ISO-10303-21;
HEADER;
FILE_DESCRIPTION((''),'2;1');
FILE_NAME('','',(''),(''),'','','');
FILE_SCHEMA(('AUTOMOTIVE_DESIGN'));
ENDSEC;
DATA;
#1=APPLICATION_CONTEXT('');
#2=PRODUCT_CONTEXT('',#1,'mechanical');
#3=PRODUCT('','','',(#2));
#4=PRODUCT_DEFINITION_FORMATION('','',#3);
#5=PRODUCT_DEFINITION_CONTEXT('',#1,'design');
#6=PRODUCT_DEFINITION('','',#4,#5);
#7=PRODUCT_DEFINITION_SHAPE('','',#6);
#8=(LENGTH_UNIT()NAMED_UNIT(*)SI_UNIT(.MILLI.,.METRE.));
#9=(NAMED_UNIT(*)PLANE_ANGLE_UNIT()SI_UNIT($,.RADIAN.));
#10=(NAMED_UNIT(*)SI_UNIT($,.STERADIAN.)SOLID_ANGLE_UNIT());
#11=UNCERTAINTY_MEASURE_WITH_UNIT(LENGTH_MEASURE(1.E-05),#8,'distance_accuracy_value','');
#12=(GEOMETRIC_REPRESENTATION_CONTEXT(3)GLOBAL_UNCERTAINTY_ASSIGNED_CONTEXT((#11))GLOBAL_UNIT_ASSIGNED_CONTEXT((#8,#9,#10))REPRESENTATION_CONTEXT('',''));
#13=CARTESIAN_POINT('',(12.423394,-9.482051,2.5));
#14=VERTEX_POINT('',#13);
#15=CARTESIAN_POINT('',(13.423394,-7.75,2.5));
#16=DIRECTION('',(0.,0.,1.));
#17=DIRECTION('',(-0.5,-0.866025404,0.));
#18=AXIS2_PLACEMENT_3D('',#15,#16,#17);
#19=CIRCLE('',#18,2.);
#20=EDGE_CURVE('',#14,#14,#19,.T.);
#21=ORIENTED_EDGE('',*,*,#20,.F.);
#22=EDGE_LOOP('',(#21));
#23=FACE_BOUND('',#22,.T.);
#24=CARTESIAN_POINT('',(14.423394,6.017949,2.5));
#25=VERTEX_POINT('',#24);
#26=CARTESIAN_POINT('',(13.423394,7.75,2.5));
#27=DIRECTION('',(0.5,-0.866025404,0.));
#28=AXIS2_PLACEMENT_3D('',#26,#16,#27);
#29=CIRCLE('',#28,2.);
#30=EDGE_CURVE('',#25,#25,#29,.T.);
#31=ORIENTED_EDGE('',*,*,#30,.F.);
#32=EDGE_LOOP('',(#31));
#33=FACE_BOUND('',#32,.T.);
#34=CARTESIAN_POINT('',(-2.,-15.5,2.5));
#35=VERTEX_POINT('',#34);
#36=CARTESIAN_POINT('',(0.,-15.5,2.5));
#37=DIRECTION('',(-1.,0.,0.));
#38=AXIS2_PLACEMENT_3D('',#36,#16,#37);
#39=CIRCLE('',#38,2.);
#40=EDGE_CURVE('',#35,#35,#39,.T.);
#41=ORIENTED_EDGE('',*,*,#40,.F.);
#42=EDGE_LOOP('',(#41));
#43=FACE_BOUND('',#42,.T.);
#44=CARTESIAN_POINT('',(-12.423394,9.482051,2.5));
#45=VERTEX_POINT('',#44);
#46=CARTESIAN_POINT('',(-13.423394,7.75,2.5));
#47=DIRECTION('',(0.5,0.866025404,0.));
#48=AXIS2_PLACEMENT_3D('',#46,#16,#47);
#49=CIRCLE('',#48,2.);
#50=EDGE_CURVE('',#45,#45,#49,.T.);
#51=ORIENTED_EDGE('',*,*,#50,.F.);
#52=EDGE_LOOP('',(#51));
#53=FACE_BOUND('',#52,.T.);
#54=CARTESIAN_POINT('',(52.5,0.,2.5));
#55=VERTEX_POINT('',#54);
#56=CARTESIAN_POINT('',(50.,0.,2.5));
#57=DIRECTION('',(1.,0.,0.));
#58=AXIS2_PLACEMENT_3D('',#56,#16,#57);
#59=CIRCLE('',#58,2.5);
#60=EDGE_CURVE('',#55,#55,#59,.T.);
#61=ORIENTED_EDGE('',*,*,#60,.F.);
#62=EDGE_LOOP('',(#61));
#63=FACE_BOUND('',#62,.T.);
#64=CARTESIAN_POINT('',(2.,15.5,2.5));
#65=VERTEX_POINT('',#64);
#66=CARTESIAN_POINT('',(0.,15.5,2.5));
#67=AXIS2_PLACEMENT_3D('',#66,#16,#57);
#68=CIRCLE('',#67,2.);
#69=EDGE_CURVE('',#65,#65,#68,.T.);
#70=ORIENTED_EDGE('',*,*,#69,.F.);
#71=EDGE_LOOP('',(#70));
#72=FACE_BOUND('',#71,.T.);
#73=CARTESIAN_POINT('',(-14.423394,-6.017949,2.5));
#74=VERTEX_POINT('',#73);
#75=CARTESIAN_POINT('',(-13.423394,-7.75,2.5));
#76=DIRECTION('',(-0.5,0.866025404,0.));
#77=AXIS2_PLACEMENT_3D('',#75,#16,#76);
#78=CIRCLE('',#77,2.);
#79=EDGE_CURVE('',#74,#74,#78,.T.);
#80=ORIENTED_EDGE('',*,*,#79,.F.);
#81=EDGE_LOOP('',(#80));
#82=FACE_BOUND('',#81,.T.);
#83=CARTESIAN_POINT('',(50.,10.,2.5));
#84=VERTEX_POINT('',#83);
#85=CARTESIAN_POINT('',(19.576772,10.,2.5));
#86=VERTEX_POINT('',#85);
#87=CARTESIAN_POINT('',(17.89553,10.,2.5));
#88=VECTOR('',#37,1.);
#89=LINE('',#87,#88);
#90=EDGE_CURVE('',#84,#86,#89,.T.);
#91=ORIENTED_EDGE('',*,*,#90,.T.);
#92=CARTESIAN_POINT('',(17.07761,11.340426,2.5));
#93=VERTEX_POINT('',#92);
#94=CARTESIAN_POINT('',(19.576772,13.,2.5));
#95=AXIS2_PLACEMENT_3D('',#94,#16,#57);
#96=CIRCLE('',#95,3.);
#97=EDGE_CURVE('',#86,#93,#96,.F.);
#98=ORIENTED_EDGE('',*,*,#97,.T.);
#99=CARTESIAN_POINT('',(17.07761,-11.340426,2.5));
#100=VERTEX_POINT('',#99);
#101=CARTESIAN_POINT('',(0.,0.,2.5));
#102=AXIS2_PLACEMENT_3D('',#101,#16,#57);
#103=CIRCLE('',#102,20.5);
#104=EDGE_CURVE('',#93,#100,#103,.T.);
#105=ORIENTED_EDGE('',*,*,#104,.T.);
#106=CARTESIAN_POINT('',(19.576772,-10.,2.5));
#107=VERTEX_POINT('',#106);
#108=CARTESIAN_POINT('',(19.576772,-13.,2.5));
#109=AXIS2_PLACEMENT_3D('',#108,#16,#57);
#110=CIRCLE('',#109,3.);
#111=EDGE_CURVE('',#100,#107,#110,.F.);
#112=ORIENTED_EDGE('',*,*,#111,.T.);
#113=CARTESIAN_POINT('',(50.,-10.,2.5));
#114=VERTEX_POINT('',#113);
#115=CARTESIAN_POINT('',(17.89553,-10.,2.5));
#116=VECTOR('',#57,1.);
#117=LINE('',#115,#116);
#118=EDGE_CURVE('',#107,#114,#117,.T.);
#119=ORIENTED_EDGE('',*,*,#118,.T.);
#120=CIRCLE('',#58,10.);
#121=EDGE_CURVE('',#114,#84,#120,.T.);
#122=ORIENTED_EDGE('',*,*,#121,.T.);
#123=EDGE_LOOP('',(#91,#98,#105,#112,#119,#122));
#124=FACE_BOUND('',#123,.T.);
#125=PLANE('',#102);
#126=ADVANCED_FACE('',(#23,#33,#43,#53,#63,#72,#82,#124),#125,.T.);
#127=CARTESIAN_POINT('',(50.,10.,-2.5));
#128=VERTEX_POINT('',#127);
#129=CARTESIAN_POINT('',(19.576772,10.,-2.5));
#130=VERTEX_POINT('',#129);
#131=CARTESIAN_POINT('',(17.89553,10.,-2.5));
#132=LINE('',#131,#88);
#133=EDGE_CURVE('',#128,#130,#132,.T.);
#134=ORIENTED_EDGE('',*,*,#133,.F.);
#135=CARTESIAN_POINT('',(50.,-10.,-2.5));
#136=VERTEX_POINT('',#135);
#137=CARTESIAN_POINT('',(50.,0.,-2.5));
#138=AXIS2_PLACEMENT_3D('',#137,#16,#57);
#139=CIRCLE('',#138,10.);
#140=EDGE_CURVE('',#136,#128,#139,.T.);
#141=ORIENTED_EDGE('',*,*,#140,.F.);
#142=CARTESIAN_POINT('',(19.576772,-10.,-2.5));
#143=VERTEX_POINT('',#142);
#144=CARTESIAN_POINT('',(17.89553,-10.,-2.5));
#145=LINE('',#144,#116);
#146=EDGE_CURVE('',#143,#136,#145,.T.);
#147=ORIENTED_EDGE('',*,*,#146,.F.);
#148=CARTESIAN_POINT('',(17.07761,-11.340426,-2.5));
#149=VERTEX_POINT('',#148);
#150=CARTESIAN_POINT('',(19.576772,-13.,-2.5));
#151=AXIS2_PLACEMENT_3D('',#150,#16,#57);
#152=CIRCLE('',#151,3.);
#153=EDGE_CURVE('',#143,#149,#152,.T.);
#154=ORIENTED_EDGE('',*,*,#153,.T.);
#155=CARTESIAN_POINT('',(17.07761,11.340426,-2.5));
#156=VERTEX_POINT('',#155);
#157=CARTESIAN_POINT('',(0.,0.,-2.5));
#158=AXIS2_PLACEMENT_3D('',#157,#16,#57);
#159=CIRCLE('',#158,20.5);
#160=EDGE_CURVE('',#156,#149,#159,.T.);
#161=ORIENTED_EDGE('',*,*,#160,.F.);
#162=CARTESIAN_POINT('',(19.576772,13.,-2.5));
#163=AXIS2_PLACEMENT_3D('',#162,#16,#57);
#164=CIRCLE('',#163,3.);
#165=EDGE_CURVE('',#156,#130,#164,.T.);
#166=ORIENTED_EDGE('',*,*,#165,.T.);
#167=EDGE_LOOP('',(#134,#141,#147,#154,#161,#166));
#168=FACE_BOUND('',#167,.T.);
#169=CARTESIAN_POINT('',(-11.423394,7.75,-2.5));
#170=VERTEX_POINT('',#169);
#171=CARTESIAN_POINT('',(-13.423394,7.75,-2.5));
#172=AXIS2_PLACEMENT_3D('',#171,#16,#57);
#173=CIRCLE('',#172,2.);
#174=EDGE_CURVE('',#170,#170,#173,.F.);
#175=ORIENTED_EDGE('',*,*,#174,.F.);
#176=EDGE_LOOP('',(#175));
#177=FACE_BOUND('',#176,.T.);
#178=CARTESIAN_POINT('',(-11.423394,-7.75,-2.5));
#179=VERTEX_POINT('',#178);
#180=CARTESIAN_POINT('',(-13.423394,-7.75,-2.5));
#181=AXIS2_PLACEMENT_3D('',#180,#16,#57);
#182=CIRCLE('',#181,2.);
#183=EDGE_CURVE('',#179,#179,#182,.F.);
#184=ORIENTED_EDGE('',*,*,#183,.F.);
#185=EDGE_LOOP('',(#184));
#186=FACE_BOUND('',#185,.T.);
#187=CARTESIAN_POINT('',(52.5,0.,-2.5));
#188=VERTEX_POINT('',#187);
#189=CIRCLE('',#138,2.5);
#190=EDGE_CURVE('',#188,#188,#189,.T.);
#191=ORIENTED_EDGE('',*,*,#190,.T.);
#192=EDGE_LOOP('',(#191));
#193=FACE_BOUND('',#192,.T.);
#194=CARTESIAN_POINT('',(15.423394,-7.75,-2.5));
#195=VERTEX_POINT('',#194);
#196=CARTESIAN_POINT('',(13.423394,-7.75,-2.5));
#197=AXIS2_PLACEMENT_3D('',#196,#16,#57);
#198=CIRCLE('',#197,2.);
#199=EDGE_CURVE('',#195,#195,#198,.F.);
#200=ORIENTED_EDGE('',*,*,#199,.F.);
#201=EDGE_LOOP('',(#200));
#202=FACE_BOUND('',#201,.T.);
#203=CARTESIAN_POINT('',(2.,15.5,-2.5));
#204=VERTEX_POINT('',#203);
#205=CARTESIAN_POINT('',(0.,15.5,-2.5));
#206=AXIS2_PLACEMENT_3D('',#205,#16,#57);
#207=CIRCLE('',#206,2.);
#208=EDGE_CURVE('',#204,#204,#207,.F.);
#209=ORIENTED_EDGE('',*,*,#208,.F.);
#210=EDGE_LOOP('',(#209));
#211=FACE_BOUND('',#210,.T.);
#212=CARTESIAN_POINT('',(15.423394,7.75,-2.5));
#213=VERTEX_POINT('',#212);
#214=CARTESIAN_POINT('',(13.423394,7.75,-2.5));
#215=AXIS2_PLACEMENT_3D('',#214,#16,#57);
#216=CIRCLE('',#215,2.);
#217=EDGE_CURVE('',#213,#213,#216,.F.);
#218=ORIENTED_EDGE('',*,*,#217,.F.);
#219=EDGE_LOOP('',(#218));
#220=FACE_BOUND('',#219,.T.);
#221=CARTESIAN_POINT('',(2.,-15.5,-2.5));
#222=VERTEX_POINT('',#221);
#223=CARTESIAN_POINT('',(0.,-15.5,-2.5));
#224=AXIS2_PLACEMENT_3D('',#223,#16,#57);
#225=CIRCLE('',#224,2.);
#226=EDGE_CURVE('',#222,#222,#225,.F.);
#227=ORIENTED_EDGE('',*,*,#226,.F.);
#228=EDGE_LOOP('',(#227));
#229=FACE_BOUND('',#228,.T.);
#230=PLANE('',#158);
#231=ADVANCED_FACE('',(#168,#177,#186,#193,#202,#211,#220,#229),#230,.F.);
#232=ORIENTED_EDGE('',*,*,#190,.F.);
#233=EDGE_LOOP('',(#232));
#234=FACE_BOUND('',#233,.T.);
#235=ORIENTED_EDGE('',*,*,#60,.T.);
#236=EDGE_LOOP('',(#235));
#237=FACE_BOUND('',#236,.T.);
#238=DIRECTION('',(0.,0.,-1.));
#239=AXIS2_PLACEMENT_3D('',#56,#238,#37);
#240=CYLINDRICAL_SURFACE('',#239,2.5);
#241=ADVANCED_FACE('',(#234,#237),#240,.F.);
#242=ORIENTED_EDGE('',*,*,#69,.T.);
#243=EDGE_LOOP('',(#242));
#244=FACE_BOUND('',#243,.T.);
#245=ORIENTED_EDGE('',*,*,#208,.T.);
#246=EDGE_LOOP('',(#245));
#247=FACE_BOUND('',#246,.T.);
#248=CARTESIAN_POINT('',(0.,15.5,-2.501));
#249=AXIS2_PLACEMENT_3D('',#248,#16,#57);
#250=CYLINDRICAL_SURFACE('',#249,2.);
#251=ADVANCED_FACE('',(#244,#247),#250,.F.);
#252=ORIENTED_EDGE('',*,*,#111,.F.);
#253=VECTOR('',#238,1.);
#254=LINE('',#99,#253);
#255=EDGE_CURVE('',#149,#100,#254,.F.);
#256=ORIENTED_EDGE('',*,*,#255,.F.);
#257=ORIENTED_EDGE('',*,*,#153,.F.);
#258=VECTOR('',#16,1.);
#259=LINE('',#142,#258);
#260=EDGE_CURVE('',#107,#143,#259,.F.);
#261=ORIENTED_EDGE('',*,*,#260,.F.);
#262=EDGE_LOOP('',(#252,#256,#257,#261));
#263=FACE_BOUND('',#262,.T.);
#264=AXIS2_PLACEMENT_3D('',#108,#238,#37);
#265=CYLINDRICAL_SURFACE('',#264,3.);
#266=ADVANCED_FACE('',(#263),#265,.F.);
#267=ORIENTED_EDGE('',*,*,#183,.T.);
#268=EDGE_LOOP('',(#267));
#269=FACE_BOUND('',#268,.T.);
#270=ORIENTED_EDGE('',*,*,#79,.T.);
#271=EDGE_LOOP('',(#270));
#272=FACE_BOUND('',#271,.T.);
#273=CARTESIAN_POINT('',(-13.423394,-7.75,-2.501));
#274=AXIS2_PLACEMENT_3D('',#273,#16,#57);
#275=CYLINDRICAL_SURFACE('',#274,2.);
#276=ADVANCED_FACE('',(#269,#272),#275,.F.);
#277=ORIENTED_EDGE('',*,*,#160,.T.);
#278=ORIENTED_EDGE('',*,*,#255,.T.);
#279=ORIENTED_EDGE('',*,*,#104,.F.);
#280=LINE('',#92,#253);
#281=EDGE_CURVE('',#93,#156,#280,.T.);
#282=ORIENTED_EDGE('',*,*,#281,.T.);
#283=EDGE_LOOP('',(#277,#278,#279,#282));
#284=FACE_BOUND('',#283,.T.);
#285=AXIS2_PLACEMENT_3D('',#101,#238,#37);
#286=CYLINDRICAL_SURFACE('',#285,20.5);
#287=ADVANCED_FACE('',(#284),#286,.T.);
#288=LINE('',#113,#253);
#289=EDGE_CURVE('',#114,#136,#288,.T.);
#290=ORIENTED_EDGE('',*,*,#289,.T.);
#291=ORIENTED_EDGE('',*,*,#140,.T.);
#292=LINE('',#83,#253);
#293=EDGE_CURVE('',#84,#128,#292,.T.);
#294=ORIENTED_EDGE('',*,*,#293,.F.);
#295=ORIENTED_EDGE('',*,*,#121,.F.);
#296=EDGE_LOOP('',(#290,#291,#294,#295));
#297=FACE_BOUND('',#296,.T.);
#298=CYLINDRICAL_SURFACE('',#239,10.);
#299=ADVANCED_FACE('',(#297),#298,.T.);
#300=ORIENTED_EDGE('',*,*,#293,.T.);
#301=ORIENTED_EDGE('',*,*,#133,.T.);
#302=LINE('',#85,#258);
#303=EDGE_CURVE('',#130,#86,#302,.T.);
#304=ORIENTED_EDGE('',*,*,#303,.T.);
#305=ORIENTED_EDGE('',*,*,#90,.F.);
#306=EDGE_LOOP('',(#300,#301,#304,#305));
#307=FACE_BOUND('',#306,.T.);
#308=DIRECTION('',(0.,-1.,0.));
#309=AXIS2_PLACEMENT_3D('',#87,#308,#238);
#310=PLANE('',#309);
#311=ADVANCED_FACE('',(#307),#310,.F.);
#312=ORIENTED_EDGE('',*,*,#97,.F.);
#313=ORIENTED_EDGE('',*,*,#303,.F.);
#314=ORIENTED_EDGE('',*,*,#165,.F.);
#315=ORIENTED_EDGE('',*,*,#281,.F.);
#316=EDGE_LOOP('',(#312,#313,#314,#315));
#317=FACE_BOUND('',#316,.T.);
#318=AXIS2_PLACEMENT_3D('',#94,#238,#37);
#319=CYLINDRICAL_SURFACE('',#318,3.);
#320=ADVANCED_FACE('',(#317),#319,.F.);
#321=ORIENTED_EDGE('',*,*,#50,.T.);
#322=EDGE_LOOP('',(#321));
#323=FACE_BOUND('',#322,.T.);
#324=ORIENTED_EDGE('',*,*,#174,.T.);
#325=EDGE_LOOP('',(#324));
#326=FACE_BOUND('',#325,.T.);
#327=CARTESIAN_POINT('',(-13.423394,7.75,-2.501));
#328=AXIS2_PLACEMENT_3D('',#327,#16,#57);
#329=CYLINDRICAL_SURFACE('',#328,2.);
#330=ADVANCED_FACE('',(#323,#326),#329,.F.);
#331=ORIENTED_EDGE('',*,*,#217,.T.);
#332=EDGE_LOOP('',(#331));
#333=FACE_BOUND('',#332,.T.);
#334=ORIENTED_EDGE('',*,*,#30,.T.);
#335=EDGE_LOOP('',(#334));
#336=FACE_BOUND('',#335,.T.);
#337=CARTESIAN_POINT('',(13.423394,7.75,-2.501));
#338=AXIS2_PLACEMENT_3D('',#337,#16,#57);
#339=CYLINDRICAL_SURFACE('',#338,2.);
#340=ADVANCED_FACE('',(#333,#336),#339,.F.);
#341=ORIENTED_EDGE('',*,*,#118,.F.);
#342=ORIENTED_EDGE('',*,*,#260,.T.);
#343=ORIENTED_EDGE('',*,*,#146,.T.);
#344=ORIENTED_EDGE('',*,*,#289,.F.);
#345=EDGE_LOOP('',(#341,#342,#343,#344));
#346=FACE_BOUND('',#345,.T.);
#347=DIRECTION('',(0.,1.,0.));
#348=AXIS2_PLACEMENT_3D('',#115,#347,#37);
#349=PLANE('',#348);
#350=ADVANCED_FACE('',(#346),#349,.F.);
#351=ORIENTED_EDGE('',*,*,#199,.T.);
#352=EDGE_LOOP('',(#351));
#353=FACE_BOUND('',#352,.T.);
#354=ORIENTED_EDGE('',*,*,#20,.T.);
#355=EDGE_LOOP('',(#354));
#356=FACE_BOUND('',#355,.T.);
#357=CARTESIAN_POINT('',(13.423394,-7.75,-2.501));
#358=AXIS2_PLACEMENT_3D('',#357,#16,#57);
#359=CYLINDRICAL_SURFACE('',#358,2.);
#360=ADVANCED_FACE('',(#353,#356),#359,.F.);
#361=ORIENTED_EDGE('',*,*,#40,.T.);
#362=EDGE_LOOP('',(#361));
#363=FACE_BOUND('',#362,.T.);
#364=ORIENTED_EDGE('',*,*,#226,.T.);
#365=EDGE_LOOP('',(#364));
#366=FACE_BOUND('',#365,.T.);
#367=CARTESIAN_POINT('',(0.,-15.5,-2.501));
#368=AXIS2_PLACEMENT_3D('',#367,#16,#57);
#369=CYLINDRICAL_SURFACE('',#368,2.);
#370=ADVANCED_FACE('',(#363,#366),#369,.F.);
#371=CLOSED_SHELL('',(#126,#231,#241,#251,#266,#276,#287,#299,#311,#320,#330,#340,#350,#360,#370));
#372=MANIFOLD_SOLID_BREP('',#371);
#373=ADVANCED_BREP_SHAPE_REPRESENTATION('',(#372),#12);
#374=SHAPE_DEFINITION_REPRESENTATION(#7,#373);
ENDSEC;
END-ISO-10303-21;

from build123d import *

# Parameters (mm, degrees)
SKETCH_1_R               = 2.5
EXTRUDE_1_DEPTH          = 2.5
CUT_EXTRUDE_1_REACH      = 65.602
SKETCH_2_R               = 2
PATTERN_CIRCULAR_1_COUNT = 6
FILLET_1_R               = 3


with BuildPart() as part:
    # 草圖1 → 填料-伸長1 (new, symmetric)
    with BuildSketch(Plane.XY):
        with BuildLine():
            Line((17.895530168, 10), (50, 10))
            ThreePointArc((50, 10), (60, 0), (50, -10))
            Line((50, -10), (17.895530168, -10))
            ThreePointArc((17.895530168, -10), (-20.5, 0), (17.895530168, 10))
        make_face()
        with Locations((50, 0)):
            Circle(SKETCH_1_R, mode=Mode.SUBTRACT)
    extrude(amount=EXTRUDE_1_DEPTH, both=True)

    # 草圖2 → 除料-伸長1 (cut, up to next)
    with BuildSketch(Plane.XY.offset(2.5), mode=Mode.PRIVATE) as cut_extrude_1_sk1:
        with Locations((0, 15.5)):
            Circle(SKETCH_2_R)
    cut_extrude_1_tool1 = extrude(cut_extrude_1_sk1.sketch, amount=-CUT_EXTRUDE_1_REACH, mode=Mode.PRIVATE) & part.part
    cut_extrude_1 = cut_extrude_1_tool1.solids().sort_by_distance((0, 15.5, 2.5))[0]
    add(cut_extrude_1, mode=Mode.SUBTRACT)

    # 環狀複製排列1: 除料-伸長1 ×6 about axis
    pattern_circular_1_axis = Axis((0, 0, 0), (0, 0, 1))
    for i in range(1, PATTERN_CIRCULAR_1_COUNT):
        add(cut_extrude_1.rotate(pattern_circular_1_axis, i * 360 / PATTERN_CIRCULAR_1_COUNT), mode=Mode.SUBTRACT)

    # 圓角1
    fillet_1_edges = [part.edges().sort_by_distance(p)[0] for p in [
        (17.895530168, 10, 0),
        (17.895530168, -10, 0),
    ]]
    fillet(fillet_1_edges, radius=FILLET_1_R)


solid = part.part
